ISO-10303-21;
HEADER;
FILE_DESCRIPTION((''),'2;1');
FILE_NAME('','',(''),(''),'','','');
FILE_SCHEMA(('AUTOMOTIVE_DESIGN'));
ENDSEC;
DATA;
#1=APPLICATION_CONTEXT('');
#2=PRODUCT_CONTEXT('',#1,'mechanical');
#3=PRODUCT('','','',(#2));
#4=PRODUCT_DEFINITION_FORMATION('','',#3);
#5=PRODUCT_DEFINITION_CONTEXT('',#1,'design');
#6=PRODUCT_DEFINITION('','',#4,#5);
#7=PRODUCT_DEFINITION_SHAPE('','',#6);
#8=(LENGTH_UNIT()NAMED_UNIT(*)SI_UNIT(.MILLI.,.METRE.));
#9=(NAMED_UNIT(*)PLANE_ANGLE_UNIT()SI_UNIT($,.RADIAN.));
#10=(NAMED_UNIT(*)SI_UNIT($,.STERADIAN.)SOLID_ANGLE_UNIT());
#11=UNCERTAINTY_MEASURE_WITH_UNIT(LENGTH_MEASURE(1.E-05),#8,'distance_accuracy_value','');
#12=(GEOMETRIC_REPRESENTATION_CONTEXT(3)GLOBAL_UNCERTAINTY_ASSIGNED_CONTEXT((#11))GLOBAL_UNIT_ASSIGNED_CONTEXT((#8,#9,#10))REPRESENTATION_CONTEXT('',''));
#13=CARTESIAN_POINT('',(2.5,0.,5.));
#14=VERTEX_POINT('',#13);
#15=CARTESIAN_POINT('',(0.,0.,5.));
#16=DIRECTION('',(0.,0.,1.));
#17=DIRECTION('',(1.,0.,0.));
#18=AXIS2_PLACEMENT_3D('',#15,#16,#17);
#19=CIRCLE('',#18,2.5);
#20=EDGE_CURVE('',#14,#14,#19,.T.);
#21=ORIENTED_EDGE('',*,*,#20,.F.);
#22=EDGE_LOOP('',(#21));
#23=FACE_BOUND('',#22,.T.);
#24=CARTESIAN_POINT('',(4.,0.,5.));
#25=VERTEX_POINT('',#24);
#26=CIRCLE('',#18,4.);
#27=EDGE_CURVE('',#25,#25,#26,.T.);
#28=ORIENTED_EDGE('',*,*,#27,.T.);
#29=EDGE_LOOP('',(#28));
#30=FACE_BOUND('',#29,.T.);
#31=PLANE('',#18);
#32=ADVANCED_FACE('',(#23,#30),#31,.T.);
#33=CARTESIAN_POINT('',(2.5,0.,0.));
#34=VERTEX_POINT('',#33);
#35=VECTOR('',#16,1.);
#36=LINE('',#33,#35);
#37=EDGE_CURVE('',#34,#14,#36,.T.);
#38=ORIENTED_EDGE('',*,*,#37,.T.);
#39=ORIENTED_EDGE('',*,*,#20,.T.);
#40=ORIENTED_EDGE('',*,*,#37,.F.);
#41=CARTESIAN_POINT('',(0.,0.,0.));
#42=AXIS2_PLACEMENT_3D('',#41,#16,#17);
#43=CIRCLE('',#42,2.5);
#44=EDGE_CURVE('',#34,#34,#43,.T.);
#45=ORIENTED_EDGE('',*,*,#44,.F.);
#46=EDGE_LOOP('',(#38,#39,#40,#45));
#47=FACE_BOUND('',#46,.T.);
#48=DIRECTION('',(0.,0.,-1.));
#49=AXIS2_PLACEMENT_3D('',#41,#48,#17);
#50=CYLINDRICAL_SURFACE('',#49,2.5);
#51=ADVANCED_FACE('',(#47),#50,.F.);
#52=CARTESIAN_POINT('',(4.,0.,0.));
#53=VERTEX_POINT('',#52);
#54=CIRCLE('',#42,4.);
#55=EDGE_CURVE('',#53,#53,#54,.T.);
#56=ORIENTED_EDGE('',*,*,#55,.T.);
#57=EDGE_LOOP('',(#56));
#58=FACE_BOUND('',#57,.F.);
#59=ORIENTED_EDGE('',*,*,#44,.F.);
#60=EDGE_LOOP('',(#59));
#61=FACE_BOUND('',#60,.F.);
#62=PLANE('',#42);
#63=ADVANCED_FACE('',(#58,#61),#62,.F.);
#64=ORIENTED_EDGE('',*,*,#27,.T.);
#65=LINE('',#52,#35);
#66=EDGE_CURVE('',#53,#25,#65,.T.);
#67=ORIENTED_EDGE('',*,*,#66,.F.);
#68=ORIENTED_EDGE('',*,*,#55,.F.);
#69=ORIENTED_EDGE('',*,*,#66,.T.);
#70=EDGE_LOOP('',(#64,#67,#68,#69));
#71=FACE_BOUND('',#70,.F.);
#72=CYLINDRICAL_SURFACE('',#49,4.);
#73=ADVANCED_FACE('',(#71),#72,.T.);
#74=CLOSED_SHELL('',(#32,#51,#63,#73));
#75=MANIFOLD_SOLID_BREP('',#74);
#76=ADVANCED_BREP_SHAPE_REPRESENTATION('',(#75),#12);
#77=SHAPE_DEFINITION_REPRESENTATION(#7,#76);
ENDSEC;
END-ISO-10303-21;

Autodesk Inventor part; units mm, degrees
ref_plane "YZ Plane" through (0, 0, 0) normal (1, 0, 0) x (0, 1, 0)
ref_plane "XZ Plane" through (0, 0, 0) normal (0, 1, 0) x (-1, 0, 0)
ref_plane "XY Plane" through (0, 0, 0) normal (0, 0, 1) x (1, 0, 0)
sketch "Sketch1" plane through (0, 0, 0) normal (0, 0, 1) x (1, 0, 0)
  circle A0 centre (0, 0) radius 4
  circle A1 centre (0, 0) radius 2.5
  dimension "d0" = 8
  dimension "d1" = 5
extrude "Extrusion1" add sketch "Sketch1" along normal blind 5
properties part number "Throd Drive Gear"
